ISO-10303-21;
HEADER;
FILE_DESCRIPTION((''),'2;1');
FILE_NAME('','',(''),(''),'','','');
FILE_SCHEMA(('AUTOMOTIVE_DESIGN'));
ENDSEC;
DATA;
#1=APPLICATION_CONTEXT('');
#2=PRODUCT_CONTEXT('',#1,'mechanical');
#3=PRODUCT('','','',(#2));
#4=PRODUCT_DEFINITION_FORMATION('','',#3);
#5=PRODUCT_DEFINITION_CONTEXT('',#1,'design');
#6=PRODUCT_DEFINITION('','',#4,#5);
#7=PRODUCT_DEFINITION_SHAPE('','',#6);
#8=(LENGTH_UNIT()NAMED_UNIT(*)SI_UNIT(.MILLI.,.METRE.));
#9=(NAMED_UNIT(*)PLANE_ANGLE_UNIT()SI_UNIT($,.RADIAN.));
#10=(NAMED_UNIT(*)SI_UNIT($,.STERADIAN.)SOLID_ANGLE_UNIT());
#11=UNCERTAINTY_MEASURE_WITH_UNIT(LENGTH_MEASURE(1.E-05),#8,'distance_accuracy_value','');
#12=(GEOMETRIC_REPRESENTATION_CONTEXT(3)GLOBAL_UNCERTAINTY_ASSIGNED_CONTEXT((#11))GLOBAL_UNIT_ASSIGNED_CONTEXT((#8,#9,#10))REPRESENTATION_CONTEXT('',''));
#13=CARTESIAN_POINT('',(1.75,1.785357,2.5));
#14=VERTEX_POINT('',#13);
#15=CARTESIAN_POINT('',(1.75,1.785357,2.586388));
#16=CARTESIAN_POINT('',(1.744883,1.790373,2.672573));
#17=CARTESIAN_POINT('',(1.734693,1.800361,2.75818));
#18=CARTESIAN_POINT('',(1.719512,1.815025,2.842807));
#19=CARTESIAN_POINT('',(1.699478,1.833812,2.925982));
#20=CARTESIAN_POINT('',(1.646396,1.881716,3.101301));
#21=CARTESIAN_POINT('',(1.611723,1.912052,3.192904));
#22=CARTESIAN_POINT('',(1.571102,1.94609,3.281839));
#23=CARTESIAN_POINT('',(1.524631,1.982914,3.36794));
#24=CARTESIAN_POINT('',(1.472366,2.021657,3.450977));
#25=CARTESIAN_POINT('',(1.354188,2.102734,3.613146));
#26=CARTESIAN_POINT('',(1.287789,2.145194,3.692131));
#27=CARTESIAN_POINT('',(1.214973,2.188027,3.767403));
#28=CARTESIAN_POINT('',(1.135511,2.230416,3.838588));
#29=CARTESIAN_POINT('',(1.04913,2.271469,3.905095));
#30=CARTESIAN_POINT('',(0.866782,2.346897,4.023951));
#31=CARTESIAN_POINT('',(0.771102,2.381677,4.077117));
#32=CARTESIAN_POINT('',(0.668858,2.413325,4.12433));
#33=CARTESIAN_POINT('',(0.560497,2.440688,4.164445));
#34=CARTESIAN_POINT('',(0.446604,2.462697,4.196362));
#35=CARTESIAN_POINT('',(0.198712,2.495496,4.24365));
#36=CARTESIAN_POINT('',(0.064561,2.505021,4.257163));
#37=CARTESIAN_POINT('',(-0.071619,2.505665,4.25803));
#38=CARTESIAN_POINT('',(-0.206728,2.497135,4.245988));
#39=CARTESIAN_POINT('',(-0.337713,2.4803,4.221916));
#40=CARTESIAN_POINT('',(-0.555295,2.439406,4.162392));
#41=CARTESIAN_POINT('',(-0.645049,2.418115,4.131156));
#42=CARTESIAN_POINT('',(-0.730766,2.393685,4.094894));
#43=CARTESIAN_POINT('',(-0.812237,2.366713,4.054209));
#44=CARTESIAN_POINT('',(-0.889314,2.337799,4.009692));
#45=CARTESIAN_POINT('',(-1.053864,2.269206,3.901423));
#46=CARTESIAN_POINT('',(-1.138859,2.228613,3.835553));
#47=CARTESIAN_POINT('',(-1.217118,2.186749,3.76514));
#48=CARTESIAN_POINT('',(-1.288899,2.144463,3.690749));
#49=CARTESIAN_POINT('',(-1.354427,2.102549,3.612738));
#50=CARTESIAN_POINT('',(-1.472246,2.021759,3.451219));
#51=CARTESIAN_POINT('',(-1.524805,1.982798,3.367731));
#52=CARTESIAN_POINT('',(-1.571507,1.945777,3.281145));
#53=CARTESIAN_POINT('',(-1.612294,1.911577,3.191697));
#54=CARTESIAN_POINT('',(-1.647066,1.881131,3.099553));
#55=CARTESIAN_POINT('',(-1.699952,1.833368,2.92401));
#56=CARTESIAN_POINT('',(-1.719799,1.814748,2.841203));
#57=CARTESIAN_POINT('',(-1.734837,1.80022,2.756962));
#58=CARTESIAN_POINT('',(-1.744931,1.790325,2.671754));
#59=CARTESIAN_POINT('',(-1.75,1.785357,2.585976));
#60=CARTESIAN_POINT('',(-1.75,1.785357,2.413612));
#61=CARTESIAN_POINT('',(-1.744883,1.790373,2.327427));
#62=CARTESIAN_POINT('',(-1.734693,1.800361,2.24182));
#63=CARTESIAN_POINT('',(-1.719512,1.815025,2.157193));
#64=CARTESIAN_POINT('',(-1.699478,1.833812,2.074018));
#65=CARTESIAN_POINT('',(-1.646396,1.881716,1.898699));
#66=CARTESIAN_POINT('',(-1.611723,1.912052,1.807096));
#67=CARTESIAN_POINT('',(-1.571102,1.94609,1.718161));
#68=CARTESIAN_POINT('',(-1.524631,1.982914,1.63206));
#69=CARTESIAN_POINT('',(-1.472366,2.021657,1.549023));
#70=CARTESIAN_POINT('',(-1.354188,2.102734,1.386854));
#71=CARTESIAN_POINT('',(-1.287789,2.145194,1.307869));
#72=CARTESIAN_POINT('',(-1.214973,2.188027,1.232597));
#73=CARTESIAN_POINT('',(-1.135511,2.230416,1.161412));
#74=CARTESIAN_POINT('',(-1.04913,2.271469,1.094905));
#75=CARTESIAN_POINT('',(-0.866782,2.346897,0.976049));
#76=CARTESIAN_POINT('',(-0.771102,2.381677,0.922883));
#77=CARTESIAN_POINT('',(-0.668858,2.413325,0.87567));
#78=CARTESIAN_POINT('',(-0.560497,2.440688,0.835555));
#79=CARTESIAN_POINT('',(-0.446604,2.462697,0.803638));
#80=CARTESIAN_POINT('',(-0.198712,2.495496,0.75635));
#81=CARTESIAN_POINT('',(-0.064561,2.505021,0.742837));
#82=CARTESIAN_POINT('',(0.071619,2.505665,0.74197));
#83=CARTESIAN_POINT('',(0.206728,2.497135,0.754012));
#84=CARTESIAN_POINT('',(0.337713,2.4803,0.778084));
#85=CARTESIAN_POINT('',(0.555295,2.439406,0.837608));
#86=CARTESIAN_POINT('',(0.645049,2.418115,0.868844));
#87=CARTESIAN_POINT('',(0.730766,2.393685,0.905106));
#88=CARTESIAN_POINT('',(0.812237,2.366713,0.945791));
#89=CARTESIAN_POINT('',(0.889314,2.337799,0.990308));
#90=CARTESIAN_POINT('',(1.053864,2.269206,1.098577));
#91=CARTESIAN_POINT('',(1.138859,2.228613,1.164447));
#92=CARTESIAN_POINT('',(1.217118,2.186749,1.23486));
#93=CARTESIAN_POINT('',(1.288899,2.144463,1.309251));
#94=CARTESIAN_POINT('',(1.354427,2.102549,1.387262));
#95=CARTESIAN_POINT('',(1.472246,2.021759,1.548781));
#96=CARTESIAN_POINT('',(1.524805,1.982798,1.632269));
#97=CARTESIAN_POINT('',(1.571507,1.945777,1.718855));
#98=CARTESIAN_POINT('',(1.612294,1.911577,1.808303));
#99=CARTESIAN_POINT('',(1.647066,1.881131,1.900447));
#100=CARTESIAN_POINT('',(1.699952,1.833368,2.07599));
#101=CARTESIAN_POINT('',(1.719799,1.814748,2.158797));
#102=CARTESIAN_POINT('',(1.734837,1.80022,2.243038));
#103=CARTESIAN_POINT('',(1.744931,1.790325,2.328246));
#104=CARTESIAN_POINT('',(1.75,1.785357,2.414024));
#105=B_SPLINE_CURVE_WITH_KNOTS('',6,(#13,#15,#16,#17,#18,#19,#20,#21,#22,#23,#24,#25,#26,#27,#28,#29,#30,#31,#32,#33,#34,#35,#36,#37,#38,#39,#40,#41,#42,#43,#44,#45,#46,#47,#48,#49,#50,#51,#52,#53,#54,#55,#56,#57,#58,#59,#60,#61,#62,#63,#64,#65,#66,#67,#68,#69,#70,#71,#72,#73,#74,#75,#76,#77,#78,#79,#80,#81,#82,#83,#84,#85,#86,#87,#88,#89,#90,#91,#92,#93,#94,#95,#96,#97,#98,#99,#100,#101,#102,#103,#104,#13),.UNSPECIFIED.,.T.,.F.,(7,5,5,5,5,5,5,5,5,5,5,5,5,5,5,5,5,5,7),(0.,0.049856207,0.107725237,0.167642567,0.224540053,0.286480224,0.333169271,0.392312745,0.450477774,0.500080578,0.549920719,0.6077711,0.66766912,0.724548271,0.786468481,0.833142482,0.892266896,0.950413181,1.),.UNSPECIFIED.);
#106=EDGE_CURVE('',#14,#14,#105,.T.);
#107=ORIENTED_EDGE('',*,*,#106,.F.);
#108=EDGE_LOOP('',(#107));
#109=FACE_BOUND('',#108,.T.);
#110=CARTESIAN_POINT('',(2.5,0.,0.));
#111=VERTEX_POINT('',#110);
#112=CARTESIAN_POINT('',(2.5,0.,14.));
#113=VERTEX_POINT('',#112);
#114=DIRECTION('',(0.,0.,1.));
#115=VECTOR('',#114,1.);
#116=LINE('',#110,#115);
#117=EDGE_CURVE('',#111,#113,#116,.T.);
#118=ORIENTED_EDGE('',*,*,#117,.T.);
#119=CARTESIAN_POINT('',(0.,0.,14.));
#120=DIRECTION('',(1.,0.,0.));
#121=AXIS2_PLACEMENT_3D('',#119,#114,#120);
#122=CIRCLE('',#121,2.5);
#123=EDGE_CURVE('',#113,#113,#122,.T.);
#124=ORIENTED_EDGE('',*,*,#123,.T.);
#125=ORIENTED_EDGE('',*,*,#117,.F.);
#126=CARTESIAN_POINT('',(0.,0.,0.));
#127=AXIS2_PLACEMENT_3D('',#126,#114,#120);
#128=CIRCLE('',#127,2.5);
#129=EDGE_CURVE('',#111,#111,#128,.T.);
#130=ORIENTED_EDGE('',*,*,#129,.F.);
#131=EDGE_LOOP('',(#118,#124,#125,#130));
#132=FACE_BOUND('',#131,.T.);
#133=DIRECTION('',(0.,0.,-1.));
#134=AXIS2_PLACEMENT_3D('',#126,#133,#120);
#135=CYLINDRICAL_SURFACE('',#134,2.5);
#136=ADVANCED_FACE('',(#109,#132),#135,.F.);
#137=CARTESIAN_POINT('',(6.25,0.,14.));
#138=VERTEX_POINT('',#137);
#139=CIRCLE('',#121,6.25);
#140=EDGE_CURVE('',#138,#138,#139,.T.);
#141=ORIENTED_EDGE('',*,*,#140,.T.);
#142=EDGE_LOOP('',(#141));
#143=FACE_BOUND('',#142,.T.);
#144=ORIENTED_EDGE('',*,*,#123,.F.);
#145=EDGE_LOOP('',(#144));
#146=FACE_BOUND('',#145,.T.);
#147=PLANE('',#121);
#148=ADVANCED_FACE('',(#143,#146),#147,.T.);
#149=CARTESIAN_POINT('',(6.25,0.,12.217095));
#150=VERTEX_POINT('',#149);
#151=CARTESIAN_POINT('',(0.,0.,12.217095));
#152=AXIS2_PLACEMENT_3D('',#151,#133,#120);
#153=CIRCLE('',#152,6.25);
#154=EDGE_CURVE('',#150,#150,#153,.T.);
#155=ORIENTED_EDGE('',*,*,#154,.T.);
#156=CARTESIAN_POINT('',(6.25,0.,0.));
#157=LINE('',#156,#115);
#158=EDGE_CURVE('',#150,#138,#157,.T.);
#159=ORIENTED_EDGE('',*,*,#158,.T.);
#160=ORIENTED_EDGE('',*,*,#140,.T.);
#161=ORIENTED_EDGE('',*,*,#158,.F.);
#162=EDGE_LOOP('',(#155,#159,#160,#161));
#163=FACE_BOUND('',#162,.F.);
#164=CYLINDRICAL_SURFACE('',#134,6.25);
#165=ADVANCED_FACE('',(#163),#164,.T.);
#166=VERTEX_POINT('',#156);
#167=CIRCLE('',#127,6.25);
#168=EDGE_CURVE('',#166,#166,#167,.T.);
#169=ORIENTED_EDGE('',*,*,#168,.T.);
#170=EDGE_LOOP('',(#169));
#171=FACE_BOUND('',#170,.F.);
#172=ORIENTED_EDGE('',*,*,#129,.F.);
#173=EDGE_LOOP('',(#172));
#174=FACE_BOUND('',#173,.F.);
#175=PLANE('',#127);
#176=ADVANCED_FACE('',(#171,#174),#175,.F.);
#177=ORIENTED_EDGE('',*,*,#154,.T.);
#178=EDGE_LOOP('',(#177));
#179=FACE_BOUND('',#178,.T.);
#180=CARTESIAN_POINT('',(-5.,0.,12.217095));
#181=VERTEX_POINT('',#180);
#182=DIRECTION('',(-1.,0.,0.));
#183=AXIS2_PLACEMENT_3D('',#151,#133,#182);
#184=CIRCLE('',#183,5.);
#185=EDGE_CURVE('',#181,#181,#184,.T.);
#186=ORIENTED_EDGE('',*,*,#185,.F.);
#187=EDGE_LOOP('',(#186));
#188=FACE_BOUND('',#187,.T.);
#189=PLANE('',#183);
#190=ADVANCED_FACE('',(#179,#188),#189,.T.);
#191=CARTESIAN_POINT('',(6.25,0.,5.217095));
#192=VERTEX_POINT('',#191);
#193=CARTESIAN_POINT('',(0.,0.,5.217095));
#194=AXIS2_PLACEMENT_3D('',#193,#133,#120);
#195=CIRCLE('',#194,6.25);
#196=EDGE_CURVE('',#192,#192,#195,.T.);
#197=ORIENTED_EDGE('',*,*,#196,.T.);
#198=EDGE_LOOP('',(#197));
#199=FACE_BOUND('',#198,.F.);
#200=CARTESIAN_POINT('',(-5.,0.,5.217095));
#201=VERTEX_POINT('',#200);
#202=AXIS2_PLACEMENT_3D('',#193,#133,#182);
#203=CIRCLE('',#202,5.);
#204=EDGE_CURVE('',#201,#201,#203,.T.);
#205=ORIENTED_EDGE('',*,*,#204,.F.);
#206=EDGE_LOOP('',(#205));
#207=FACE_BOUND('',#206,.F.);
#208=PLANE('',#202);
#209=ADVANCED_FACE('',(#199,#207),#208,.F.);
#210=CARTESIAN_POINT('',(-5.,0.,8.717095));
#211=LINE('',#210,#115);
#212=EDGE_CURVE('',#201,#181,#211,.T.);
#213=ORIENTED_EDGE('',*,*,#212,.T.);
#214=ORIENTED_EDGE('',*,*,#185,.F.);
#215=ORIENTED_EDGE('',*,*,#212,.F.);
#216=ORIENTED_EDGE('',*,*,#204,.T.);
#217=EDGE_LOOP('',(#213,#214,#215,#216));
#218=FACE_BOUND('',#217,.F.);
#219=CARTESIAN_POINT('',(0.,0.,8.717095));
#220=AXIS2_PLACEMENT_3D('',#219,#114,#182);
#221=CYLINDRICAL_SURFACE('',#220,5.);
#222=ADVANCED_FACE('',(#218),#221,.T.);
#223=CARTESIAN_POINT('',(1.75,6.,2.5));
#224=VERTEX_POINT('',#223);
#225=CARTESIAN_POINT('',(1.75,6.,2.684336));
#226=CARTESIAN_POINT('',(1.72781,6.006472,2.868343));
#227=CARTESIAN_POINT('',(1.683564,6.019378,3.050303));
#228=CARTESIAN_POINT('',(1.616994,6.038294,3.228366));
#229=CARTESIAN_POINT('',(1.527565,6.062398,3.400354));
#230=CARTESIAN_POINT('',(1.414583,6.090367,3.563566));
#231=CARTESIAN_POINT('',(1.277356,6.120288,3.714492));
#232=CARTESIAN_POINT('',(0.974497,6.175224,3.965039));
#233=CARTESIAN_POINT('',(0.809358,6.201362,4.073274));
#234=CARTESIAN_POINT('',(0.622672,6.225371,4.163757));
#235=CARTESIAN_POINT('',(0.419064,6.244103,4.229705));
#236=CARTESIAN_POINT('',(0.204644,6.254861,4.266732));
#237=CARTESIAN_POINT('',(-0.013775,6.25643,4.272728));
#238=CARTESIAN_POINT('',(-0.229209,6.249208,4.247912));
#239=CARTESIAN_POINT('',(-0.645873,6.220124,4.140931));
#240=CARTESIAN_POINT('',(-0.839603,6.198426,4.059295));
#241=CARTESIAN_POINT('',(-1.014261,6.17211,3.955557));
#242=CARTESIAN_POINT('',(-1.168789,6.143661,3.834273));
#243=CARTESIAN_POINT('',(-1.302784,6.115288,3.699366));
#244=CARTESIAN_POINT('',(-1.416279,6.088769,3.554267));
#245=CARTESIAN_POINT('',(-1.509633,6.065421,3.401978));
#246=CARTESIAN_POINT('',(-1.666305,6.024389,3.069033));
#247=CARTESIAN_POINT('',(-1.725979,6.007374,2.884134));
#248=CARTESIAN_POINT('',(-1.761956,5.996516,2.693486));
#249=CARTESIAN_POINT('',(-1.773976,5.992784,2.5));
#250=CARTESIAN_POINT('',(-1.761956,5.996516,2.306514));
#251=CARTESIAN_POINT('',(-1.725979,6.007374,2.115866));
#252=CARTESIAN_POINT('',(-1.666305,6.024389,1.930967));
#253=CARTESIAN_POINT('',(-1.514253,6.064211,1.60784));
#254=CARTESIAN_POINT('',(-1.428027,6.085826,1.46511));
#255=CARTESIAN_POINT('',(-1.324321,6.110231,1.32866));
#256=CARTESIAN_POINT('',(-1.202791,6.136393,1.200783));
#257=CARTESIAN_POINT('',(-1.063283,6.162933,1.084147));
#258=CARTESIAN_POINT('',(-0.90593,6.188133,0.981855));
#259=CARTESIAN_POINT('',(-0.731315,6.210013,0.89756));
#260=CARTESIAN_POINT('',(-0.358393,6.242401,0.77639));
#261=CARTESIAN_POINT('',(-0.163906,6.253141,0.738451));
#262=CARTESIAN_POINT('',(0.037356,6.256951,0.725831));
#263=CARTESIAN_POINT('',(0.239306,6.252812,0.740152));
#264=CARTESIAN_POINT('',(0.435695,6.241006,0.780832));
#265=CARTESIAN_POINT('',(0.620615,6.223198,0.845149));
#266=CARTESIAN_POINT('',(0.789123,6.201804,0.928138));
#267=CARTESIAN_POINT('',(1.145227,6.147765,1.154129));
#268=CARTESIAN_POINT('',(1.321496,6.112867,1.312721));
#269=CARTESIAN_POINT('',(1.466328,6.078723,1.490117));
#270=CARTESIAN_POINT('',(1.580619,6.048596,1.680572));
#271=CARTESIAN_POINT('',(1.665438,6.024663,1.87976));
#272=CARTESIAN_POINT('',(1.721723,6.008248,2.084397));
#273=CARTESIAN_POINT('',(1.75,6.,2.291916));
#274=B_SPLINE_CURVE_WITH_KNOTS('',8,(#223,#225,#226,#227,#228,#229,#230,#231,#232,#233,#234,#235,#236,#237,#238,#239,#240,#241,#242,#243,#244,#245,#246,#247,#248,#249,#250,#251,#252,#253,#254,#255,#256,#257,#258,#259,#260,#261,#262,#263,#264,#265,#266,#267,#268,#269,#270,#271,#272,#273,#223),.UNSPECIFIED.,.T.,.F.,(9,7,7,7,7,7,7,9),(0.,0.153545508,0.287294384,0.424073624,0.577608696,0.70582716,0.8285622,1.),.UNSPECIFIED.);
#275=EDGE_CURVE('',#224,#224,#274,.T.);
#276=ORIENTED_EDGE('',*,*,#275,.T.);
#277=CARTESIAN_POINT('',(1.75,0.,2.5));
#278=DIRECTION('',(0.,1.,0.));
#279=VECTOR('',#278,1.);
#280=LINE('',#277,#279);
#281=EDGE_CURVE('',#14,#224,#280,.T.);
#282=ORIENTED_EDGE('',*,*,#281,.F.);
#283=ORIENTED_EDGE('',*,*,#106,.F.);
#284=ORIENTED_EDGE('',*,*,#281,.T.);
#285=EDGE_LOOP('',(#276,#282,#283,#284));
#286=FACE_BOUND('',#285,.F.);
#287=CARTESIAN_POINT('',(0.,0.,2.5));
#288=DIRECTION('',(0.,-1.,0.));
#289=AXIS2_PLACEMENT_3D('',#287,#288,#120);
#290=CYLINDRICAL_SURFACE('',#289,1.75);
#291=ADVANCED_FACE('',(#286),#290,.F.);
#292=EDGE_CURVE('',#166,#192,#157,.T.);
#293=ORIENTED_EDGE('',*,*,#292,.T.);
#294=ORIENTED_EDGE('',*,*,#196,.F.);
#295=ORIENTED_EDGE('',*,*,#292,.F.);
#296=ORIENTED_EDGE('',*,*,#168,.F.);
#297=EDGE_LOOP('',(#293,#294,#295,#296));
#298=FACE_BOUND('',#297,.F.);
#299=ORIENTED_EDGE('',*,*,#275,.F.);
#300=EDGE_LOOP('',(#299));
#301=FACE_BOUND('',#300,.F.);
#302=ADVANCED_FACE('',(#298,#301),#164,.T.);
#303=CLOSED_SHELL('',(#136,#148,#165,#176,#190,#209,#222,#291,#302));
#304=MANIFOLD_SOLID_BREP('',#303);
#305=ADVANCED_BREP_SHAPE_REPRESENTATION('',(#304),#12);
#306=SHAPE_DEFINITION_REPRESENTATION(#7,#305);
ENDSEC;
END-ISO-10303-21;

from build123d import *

# Parameters (mm, degrees)
F0_R     = 6.25
F0_R_2   = 2.5
F1_DEPTH = 14
F2_W     = 3.733449
F2_H     = 7
F4_R     = 1.75
F5_DEPTH = 25


with BuildPart() as f1:
    # F0 (on Top) → F1 (new body)
    with BuildSketch(Plane.XY):
        Circle(F0_R)
        Circle(F0_R_2, mode=Mode.SUBTRACT)
    extrude(amount=F1_DEPTH)

    # F2 (on Front) → F3 (revolve, cut)
    with BuildSketch(Plane.XZ):
        with Locations((-6.866725, 8.717095)):
            Rectangle(F2_W, F2_H)
    revolve(axis=Axis((0, 0, 7.230911), (0, 0, -1)), mode=Mode.SUBTRACT)

    # F4 (on Front) → F5 (cut)
    with BuildSketch(Plane.XZ):
        with Locations((0, 2.5)):
            Circle(F4_R)
    extrude(amount=-F5_DEPTH, mode=Mode.SUBTRACT)


solid = f1.part
